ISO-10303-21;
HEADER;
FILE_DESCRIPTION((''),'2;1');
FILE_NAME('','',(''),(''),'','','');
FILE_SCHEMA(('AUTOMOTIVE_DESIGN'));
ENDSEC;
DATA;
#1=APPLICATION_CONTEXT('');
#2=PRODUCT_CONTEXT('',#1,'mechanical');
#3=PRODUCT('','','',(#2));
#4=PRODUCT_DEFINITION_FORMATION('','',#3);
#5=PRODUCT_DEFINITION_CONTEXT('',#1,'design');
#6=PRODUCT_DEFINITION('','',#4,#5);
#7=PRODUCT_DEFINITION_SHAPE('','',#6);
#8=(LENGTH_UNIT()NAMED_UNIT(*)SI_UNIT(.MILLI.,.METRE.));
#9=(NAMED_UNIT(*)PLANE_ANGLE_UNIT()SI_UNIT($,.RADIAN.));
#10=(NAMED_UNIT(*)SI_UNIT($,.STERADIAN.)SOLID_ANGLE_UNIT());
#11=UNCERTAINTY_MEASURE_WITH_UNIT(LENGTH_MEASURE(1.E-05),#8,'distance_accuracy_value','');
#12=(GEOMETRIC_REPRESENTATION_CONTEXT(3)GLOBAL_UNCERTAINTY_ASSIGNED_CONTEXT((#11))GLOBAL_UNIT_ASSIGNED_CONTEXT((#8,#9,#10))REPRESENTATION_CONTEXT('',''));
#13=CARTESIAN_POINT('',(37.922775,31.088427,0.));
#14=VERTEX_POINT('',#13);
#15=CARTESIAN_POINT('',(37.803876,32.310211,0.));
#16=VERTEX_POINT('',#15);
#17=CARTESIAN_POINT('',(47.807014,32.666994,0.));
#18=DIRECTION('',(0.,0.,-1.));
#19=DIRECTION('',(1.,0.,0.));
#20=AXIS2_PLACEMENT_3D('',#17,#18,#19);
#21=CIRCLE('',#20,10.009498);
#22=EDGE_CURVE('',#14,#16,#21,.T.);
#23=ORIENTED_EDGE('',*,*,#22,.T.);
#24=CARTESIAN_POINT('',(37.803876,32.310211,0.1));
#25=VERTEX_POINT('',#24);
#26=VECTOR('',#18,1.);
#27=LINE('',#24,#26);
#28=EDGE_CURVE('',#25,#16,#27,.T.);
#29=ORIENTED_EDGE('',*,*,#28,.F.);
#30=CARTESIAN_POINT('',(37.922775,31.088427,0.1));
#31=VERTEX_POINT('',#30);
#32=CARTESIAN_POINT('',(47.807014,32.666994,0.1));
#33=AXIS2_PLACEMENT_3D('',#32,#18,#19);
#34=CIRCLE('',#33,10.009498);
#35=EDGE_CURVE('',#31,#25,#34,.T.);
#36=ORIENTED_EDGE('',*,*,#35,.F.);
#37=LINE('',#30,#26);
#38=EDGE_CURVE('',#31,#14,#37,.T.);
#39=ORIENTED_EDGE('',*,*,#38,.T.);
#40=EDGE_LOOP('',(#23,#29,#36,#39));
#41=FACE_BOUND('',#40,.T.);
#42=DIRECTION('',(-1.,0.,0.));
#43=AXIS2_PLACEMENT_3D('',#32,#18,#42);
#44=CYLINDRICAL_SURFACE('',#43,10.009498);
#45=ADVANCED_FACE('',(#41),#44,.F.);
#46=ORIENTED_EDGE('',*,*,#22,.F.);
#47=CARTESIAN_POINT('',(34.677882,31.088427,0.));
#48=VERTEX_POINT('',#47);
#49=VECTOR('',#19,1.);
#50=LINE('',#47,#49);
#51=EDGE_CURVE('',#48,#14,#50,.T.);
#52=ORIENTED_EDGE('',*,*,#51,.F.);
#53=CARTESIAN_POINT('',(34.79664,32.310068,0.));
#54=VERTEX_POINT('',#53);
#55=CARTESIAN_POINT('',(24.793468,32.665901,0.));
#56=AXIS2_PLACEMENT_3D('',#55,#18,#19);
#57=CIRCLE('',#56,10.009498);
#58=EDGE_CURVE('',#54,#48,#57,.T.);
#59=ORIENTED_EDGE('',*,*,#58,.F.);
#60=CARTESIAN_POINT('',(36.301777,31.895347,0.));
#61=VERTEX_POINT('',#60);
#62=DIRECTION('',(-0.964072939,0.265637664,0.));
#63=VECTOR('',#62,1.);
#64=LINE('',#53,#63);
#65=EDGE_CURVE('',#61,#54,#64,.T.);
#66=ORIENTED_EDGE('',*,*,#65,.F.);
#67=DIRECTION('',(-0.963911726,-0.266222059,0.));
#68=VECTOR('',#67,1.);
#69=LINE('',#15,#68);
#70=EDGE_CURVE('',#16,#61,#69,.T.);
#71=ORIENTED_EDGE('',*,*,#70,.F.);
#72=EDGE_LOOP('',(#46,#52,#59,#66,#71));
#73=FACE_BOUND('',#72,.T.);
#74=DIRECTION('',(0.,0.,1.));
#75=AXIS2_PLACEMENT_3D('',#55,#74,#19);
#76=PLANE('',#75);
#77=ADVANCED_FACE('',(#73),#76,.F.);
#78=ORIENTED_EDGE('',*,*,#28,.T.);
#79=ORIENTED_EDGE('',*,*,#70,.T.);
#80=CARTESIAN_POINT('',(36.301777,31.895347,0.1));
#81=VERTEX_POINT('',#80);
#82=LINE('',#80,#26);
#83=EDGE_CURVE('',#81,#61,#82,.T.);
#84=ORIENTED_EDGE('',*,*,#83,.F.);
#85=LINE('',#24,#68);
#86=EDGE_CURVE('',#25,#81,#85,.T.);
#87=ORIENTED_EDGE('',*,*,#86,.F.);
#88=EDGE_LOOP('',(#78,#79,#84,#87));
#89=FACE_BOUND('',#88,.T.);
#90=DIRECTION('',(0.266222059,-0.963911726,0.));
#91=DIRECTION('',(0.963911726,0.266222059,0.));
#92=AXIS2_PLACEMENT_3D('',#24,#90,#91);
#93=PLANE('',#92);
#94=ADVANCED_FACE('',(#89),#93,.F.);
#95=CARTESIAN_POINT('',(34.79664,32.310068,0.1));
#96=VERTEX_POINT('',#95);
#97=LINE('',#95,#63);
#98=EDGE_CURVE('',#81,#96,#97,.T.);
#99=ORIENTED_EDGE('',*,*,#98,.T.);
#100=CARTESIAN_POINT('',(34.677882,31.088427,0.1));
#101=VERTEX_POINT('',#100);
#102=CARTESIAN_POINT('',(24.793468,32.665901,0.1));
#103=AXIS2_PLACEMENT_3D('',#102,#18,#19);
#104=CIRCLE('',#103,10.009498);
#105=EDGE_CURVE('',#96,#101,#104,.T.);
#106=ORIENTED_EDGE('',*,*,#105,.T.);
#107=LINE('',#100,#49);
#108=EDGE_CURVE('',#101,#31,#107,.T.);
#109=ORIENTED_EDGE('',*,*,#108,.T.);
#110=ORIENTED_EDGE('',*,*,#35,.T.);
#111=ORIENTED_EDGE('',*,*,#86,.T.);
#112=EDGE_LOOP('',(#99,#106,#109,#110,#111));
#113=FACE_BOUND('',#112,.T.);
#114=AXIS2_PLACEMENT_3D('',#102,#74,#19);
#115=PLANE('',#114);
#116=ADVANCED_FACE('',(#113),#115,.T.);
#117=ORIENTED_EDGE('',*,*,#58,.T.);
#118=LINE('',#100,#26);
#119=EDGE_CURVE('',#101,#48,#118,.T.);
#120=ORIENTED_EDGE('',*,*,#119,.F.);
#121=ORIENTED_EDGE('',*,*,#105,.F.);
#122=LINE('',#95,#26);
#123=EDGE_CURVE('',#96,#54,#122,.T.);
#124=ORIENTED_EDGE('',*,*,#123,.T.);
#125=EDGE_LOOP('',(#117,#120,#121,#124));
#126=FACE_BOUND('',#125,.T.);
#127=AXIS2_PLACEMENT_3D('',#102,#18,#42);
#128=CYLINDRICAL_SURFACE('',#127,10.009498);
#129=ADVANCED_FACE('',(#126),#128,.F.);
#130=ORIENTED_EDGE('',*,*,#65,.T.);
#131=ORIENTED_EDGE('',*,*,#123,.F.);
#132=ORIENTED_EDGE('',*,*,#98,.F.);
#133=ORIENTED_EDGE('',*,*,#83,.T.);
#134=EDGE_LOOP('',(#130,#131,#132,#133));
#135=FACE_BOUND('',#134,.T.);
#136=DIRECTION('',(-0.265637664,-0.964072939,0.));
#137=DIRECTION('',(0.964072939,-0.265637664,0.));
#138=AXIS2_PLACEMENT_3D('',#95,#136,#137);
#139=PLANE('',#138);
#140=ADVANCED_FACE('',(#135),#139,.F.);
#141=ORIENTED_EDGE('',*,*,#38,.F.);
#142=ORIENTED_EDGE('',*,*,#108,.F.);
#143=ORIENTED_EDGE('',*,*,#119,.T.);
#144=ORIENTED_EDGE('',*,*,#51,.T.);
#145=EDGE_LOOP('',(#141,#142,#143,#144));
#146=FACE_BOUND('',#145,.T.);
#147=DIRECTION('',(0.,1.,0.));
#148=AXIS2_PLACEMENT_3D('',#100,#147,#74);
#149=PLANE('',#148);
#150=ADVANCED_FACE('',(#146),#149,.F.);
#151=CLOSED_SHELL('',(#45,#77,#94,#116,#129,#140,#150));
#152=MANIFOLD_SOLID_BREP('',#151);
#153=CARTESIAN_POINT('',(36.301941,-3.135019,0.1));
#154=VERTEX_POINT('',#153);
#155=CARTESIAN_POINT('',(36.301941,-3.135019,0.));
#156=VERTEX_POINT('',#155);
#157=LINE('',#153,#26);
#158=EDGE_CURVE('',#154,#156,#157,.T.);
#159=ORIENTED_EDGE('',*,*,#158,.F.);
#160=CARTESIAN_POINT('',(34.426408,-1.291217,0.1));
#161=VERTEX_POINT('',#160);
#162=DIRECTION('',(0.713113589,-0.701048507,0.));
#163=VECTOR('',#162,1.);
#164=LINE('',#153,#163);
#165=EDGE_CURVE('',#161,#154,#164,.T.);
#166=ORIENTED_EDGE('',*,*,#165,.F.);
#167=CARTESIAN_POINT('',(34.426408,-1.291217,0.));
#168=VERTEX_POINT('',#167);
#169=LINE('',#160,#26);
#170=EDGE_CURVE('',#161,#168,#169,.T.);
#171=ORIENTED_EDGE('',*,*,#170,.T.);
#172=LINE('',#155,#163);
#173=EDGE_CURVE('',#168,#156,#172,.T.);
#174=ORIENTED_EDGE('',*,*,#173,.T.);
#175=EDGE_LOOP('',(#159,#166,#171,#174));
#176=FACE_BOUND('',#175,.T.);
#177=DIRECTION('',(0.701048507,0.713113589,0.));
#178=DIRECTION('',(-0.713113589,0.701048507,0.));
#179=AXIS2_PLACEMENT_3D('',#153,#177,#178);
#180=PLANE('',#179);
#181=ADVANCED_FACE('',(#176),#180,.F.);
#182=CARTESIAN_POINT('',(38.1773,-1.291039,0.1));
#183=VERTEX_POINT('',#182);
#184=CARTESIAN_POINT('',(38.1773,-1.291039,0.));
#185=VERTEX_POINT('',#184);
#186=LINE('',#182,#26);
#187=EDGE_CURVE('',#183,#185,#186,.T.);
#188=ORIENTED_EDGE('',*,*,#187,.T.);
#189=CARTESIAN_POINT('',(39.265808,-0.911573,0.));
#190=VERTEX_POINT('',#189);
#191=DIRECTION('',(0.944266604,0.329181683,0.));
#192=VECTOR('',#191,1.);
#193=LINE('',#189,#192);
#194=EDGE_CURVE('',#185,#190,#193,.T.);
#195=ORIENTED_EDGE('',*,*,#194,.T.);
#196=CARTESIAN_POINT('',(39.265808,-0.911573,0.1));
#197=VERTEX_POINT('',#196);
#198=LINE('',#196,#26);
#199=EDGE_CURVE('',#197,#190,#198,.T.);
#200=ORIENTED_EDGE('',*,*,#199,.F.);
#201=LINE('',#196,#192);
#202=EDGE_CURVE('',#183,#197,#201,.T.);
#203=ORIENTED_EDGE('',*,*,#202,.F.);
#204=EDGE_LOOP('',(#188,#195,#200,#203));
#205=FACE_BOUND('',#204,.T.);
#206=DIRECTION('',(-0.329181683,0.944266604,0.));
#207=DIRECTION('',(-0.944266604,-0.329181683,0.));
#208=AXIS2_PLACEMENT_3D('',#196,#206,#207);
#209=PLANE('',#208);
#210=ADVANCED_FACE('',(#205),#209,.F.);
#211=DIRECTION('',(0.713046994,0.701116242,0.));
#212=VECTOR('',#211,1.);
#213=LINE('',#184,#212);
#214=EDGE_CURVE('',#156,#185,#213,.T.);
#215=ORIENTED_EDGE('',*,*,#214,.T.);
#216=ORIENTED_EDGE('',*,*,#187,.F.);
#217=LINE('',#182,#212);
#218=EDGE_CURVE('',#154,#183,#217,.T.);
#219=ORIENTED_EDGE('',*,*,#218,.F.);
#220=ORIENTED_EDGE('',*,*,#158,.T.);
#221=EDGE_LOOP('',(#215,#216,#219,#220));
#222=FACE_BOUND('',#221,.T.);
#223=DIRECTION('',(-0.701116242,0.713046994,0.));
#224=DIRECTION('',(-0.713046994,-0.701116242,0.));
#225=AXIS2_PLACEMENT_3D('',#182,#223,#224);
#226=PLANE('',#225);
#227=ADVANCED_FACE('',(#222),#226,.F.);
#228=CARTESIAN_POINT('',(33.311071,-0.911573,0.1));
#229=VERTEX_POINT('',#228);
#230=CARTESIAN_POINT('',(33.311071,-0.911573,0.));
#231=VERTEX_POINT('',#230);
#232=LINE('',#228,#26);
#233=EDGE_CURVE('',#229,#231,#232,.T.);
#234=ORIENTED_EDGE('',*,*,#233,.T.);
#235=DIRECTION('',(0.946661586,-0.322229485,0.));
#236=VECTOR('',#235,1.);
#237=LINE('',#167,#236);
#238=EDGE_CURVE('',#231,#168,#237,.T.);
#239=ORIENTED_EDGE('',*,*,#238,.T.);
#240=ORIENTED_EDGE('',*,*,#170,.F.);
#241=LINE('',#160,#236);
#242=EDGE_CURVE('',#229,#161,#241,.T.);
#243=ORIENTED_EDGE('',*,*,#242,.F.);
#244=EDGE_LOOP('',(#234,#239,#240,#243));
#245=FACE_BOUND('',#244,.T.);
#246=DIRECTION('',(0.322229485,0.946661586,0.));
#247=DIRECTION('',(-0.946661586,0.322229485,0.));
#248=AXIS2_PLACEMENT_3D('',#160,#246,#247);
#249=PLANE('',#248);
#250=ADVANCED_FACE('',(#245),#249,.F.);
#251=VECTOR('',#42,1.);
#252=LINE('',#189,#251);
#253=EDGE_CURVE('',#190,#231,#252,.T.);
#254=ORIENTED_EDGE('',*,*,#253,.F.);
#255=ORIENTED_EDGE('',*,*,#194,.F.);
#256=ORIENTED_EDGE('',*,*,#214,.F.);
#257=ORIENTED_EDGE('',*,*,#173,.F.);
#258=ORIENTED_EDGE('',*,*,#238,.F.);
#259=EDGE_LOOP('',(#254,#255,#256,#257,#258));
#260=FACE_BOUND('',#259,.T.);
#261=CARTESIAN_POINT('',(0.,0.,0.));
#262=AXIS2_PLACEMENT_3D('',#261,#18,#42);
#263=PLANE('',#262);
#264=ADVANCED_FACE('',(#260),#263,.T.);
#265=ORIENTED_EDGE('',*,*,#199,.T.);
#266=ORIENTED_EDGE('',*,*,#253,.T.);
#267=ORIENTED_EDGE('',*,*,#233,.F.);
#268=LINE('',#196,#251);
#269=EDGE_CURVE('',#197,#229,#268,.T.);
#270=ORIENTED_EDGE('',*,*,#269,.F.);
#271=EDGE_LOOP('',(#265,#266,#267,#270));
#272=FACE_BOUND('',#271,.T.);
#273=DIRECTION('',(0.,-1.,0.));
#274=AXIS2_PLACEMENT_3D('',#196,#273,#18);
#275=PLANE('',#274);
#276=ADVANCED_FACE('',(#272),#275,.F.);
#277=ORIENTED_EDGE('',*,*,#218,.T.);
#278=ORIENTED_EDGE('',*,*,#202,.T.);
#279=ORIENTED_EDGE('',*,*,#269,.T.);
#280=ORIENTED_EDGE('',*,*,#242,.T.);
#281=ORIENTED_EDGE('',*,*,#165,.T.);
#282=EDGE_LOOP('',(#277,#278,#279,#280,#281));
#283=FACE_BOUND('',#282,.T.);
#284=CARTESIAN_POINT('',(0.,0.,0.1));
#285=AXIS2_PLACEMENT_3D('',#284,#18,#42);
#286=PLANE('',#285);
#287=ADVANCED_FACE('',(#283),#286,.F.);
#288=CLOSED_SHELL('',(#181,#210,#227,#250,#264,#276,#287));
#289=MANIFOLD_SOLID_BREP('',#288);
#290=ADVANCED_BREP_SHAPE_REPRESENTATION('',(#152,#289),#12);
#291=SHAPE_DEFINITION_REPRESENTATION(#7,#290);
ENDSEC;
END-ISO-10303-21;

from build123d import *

# Parameters (mm, degrees)
SALIENTE_EXTRUIR1_DEPTH   = 0.1
SALIENTE_EXTRUIR1_2_DEPTH = 0.1


with BuildPart() as part:
    # Model → Saliente-Extruir1 (new body)
    with BuildSketch(Plane.XY):
        Polygon((39.265808306, -0.911572929), (33.311070818, -0.911572929), (34.426407672, -1.291216959), (36.301941466, -3.135018824), (38.177300109, -1.291038811), align=None)
    extrude(amount=SALIENTE_EXTRUIR1_DEPTH)


with BuildPart() as body_2:
    # Model → Saliente-Extruir1 2 (new body)
    with BuildSketch(Plane.XY):
        with BuildLine():
            Line((34.677881776, 31.088427071), (37.922774876, 31.088427071))
            ThreePointArc((37.922774876, 31.088427071), (37.844578192, 31.69749464), (37.803876403, 32.310211043))
            Line((37.803876403, 32.310211043), (36.301776991, 31.895347329))
            Line((36.301776991, 31.895347329), (34.796639594, 32.310068214))
            ThreePointArc((34.796639594, 32.310068214), (34.756003558, 31.697425616), (34.677881776, 31.088427071))
        make_face()
    extrude(amount=SALIENTE_EXTRUIR1_2_DEPTH)


solid = Compound([part.part, body_2.part])
